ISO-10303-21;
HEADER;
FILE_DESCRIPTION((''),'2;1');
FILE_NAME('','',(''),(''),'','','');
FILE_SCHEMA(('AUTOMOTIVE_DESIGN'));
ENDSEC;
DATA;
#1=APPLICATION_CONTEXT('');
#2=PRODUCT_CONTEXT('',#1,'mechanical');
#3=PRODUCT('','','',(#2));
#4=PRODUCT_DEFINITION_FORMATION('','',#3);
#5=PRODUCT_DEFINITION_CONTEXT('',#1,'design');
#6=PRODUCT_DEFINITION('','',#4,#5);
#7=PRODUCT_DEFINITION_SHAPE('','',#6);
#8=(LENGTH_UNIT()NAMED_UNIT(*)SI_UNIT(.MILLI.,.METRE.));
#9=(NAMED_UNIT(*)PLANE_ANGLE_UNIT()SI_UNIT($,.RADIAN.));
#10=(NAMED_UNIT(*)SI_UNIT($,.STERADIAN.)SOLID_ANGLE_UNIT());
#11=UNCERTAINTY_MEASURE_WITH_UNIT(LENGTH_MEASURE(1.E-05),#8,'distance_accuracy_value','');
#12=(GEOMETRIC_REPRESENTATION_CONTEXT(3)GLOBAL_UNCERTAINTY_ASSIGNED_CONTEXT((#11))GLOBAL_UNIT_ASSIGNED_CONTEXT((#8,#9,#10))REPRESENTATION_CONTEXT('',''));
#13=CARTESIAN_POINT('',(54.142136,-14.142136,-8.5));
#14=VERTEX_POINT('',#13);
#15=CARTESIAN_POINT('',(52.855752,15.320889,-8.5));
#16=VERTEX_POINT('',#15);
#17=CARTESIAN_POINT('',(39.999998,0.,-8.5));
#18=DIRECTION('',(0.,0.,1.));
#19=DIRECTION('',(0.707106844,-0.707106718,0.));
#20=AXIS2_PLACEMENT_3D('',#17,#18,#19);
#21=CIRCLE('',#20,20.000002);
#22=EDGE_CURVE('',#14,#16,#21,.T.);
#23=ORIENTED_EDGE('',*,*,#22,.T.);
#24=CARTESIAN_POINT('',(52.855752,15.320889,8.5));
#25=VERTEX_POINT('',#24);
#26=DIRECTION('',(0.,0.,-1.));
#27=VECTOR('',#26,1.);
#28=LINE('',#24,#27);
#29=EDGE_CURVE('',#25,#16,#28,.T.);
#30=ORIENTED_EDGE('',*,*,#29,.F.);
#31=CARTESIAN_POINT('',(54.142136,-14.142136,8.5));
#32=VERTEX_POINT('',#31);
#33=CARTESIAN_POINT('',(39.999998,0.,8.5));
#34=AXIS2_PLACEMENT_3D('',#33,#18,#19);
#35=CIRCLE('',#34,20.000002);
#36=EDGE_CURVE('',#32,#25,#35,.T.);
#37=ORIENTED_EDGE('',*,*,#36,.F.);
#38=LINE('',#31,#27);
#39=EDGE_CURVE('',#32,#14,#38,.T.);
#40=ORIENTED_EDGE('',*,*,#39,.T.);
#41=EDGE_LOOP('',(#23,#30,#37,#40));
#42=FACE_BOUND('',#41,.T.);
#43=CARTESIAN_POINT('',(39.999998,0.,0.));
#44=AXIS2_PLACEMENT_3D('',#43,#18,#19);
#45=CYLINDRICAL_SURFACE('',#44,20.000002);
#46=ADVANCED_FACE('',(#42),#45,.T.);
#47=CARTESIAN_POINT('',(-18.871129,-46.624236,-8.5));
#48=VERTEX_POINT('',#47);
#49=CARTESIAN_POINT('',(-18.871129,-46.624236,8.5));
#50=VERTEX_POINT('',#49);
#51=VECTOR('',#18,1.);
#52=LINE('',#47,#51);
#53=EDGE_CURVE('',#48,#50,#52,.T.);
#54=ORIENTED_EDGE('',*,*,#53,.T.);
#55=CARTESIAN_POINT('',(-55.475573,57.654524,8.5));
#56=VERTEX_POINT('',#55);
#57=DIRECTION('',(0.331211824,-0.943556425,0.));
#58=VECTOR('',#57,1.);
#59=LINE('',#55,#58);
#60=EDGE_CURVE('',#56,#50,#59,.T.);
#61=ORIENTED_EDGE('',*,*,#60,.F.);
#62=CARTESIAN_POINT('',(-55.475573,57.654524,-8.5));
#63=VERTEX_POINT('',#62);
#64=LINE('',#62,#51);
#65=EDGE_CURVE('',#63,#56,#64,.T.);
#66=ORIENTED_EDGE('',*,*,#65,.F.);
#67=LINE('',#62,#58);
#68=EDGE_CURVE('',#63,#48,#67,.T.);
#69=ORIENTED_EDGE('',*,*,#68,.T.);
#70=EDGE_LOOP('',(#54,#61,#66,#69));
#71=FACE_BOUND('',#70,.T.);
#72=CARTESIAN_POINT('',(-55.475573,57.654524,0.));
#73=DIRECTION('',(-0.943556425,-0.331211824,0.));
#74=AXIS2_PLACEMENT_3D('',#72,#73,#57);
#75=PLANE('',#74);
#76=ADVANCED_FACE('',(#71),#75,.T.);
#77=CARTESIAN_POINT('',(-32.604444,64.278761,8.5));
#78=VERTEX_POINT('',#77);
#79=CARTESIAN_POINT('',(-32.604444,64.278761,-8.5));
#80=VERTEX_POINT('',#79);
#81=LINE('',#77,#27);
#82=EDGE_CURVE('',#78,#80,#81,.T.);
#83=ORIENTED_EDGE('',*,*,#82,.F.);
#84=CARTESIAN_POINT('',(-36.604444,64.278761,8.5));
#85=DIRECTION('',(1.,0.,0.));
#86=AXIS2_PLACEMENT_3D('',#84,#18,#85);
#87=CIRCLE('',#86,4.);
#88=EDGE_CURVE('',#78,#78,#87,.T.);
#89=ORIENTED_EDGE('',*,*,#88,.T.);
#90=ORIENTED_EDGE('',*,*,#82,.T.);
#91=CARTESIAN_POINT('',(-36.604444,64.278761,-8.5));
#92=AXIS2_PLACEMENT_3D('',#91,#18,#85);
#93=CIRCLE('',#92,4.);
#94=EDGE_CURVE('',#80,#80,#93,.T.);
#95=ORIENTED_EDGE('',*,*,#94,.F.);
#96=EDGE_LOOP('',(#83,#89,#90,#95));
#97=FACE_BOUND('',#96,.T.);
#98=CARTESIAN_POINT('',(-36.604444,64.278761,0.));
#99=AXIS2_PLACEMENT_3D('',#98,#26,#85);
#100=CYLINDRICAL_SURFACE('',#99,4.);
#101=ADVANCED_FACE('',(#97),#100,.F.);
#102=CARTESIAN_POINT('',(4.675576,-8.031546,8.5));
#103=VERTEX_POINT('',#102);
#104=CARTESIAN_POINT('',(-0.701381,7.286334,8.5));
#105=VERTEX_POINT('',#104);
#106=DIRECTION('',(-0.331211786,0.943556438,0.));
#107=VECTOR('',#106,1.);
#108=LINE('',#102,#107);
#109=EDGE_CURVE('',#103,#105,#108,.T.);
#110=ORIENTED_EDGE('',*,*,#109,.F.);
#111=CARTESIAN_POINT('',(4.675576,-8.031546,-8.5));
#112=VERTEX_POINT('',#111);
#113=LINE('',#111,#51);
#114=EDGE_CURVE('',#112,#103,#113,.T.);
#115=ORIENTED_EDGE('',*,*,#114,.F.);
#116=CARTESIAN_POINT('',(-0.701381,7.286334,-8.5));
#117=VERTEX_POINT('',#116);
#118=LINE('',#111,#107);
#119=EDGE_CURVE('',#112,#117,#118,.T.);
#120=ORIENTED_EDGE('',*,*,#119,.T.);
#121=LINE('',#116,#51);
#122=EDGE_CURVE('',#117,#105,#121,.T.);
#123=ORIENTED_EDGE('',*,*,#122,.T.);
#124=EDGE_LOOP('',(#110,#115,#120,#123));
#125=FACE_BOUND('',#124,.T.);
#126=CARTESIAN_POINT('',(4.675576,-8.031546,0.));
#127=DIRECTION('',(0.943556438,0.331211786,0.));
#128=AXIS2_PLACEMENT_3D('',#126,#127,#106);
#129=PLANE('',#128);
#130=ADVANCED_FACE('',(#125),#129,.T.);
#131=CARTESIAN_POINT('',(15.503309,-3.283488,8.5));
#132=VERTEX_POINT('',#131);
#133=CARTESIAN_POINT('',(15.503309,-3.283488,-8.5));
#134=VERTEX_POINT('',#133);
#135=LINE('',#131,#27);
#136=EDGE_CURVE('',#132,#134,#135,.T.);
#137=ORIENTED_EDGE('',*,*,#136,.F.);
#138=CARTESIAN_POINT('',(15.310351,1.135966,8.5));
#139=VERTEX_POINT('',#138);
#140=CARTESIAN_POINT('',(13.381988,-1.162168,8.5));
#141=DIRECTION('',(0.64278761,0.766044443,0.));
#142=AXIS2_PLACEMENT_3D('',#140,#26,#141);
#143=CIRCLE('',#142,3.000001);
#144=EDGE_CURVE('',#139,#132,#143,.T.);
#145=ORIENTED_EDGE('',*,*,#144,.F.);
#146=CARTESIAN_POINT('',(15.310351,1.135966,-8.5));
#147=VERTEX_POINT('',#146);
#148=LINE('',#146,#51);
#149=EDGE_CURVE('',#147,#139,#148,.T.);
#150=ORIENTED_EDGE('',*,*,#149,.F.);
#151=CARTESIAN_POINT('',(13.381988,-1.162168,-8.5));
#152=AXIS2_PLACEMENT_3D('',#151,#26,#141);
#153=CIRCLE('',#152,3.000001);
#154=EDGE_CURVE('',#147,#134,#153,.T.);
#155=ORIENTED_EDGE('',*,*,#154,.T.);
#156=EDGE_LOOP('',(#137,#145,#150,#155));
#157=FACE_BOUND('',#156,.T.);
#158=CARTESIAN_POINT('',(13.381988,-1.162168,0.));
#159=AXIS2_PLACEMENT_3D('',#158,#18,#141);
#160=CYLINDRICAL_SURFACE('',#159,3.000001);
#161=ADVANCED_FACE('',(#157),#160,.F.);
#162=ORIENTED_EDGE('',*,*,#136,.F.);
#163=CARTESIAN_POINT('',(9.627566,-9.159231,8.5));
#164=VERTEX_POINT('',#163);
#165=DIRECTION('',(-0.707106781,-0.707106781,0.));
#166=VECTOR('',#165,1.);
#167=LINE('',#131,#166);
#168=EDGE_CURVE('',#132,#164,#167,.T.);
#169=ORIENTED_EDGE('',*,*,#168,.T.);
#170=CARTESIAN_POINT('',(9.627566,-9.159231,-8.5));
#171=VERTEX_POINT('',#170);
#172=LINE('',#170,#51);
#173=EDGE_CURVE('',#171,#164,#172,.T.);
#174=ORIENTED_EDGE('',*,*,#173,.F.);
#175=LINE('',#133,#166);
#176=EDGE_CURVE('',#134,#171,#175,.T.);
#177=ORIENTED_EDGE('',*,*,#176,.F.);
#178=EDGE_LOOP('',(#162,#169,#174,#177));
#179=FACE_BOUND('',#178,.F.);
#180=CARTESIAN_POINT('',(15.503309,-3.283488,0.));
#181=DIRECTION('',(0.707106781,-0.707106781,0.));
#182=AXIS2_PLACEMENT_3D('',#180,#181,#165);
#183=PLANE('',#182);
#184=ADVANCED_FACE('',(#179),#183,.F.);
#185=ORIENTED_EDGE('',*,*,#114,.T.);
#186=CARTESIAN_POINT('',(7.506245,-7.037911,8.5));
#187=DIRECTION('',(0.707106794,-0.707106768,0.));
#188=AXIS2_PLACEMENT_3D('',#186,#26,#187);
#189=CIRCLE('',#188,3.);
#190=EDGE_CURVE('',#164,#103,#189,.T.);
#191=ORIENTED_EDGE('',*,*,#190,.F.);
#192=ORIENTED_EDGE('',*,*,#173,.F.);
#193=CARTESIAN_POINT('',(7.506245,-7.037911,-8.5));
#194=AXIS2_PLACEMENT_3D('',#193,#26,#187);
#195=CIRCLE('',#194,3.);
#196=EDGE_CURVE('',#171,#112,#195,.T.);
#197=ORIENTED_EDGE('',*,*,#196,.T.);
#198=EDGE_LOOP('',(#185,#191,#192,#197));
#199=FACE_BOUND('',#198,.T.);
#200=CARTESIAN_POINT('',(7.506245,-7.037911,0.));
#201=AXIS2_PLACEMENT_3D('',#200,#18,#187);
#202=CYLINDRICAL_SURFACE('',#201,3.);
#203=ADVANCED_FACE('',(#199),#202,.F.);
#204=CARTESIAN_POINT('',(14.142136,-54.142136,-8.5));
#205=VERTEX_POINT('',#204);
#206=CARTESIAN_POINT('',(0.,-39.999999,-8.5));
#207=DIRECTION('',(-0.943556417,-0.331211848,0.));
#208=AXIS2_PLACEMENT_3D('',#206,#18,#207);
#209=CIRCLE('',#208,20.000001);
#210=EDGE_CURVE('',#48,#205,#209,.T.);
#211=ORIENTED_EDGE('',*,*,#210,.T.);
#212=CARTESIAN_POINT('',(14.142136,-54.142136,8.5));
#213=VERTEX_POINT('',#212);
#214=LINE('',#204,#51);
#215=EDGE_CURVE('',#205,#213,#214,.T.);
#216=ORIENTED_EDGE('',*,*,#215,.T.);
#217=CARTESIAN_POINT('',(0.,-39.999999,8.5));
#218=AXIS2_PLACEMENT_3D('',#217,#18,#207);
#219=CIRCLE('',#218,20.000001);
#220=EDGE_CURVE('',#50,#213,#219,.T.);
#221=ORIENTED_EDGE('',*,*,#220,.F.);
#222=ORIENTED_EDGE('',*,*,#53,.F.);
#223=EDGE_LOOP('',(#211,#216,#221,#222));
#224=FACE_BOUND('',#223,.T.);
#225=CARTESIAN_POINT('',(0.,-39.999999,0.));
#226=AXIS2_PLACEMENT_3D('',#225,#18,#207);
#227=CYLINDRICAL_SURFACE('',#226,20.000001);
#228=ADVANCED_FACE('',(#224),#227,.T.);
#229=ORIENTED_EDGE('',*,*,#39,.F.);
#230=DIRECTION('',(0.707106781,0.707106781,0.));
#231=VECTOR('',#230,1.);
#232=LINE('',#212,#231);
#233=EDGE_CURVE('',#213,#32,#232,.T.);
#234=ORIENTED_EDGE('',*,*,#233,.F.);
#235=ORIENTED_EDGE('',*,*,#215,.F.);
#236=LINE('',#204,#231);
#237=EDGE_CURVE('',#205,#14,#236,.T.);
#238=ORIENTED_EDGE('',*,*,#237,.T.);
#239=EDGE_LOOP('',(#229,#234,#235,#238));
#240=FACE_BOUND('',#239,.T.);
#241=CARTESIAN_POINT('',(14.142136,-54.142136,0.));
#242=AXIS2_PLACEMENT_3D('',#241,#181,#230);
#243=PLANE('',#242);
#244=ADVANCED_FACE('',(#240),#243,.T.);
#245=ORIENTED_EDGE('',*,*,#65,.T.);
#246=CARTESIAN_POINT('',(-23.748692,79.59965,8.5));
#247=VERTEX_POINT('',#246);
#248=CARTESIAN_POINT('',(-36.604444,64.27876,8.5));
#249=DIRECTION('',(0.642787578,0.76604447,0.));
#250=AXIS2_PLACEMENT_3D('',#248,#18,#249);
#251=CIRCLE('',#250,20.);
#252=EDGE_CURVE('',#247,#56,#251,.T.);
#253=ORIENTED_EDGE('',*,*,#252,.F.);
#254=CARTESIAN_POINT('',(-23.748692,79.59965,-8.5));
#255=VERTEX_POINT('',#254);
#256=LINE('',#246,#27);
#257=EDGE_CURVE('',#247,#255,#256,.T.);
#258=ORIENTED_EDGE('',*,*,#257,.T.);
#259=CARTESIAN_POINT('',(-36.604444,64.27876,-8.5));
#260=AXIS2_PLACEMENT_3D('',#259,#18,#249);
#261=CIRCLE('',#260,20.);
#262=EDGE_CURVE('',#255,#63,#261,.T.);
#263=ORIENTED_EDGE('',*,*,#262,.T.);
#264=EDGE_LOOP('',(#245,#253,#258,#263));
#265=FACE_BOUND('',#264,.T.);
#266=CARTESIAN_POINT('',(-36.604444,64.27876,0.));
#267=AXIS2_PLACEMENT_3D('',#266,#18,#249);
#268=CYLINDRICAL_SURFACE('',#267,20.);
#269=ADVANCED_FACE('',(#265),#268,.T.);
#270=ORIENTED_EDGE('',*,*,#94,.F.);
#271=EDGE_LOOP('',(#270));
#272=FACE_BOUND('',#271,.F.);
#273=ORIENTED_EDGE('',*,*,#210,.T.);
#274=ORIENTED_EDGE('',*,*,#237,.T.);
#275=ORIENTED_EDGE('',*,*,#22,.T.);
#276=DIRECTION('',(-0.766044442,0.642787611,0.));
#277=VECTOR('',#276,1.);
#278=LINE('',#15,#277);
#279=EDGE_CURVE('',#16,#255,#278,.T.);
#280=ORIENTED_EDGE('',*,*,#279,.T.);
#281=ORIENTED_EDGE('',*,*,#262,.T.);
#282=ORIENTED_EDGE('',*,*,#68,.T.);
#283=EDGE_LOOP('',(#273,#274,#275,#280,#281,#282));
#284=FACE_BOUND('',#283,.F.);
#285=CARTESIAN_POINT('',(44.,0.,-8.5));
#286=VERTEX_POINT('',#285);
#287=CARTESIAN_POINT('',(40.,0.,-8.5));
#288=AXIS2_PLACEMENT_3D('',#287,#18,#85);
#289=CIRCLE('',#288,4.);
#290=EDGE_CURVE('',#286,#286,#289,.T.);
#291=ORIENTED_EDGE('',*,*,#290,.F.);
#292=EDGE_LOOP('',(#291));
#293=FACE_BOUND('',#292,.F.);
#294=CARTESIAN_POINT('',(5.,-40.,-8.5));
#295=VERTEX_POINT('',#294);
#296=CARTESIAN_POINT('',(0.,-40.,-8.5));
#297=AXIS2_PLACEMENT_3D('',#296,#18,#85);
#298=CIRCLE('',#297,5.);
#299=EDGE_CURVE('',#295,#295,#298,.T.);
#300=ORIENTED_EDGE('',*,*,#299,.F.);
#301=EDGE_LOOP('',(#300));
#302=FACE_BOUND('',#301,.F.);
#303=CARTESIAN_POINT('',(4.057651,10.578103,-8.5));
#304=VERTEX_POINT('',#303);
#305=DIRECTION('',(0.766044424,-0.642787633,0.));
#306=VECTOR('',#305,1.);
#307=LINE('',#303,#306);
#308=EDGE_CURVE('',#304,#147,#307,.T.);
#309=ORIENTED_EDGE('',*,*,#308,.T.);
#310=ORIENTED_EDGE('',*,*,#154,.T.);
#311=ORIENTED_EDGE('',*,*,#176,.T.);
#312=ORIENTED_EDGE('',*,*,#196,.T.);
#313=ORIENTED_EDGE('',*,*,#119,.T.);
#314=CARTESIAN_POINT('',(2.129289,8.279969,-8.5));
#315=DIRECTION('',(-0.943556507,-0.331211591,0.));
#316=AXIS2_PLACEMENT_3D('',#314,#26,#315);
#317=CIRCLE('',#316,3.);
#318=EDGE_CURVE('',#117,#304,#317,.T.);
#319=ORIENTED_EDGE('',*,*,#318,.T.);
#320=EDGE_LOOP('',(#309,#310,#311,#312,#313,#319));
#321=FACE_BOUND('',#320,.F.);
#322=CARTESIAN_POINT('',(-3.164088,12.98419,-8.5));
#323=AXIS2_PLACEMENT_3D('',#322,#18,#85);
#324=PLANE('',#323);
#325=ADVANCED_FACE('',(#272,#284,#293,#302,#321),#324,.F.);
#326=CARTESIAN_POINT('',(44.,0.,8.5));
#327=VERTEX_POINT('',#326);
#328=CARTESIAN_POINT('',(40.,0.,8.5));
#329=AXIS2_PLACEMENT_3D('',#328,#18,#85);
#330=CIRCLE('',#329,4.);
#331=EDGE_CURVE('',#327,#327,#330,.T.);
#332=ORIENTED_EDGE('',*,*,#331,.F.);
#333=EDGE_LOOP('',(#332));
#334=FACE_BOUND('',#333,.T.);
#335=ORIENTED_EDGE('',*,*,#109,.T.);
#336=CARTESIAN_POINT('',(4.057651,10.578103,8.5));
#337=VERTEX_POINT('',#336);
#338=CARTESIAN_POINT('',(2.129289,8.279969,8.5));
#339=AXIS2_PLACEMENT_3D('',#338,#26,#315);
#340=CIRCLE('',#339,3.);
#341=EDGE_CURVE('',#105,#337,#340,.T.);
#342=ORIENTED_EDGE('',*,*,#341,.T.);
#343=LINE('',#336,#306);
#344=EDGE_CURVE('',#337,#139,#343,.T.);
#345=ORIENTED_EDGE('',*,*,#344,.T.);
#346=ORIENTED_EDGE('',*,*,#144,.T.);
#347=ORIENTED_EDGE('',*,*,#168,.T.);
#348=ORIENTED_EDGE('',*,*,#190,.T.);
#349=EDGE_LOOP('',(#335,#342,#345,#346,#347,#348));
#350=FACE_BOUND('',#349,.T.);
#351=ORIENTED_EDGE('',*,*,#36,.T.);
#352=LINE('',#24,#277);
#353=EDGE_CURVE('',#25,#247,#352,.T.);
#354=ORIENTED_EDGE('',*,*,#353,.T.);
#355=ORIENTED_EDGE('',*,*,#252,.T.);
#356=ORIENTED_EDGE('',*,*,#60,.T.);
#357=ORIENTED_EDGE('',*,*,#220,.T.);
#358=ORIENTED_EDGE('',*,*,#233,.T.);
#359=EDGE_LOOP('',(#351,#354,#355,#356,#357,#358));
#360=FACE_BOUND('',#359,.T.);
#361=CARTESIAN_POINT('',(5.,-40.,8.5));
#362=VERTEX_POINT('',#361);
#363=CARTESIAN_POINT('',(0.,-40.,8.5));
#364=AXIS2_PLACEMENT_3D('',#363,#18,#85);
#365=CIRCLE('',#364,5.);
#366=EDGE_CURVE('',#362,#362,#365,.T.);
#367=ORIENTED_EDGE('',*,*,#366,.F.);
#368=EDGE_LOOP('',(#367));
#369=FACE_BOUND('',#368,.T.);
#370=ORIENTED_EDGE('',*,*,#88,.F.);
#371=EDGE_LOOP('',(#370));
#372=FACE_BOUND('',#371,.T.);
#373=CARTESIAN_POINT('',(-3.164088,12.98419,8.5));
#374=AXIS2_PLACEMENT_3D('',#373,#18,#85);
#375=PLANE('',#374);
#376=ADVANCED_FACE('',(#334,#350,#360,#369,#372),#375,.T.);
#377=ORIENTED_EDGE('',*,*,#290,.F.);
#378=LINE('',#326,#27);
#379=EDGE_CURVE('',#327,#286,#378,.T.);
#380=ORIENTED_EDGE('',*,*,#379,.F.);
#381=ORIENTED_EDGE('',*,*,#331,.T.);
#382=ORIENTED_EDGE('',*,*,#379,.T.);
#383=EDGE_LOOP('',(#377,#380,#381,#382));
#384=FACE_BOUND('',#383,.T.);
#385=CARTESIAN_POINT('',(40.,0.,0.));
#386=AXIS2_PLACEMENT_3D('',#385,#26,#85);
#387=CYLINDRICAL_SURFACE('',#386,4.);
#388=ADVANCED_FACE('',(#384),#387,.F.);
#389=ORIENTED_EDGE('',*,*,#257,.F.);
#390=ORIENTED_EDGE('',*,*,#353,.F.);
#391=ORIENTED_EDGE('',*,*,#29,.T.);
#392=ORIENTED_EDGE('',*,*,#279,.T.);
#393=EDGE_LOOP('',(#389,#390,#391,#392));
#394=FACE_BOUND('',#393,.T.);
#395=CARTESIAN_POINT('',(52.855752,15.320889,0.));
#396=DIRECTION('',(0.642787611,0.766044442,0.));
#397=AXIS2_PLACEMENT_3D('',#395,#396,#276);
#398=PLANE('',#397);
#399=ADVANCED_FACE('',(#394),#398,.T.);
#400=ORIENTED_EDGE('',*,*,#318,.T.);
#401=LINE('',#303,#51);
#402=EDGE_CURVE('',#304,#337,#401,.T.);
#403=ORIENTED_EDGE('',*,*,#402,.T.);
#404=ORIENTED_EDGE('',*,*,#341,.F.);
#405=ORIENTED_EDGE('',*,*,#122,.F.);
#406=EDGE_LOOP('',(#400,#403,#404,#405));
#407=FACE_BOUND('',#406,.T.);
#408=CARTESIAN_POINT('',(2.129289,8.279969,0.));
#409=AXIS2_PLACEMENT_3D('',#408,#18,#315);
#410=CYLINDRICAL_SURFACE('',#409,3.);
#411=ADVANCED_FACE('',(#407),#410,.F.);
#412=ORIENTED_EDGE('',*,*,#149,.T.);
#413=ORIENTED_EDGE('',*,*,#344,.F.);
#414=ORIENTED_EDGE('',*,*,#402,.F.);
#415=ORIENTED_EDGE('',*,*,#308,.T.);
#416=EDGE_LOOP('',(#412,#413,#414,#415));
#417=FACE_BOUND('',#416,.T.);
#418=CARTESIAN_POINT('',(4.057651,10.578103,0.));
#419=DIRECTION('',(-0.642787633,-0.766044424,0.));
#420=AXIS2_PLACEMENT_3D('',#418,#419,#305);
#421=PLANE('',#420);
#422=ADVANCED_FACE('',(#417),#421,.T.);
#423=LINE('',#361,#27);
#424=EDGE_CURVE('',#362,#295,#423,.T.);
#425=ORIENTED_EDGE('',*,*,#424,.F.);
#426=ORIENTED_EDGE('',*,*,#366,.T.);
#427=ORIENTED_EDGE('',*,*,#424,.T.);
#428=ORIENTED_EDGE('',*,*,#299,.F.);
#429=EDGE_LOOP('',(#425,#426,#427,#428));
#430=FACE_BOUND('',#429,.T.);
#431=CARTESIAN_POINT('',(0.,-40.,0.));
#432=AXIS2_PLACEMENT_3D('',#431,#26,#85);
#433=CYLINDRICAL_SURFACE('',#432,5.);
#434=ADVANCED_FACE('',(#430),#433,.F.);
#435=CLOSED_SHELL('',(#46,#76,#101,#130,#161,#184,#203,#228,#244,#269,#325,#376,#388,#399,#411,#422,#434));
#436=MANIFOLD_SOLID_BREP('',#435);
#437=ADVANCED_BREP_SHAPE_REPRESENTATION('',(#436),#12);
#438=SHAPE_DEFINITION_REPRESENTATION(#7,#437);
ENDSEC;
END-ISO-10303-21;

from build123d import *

# Parameters (mm, degrees)
F0_R     = 5
F0_R_2   = 4
F1_DEPTH = 8.5


with BuildPart() as f1:
    # F0 (on Top) → F1 (new body, symmetric)
    with BuildSketch(Plane.XY):
        with BuildLine():
            ThreePointArc((-23.748692, 79.59965), (-47.98176, 80.727368), (-55.475573, 57.654524))
            Line((-55.475573, 57.654524), (-18.871129, -46.624236))
            ThreePointArc((-18.871129, -46.624236), (-4.440782, -59.500755), (14.142136, -54.142136))
            Line((14.142136, -54.142136), (54.142136, -14.142136))
            ThreePointArc((54.142136, -14.142136), (59.980964, 0.872388), (52.855752, 15.320889))
            Line((52.855752, 15.320889), (-23.748692, 79.59965))
        make_face()
        with Locations((0, -40)):
            Circle(F0_R, mode=Mode.SUBTRACT)
        with BuildLine():
            Line((4.057651, 10.578103), (15.310351, 1.135966))
            ThreePointArc((15.310351, 1.135966), (16.379133, -1.031309), (15.503309, -3.283488))
            Line((15.503309, -3.283488), (9.627566, -9.159231))
            ThreePointArc((9.627566, -9.159231), (6.840128, -9.963024), (4.675576, -8.031546))
            Line((4.675576, -8.031546), (-0.701381, 7.286334))
            ThreePointArc((-0.701381, 7.286334), (0.422691, 10.74726), (4.057651, 10.578103))
        make_face(mode=Mode.SUBTRACT)
        with Locations((40, 0)):
            Circle(F0_R_2, mode=Mode.SUBTRACT)
        with Locations((-36.604444, 64.278761)):
            Circle(F0_R_2, mode=Mode.SUBTRACT)
    extrude(amount=F1_DEPTH, both=True)


solid = f1.part
